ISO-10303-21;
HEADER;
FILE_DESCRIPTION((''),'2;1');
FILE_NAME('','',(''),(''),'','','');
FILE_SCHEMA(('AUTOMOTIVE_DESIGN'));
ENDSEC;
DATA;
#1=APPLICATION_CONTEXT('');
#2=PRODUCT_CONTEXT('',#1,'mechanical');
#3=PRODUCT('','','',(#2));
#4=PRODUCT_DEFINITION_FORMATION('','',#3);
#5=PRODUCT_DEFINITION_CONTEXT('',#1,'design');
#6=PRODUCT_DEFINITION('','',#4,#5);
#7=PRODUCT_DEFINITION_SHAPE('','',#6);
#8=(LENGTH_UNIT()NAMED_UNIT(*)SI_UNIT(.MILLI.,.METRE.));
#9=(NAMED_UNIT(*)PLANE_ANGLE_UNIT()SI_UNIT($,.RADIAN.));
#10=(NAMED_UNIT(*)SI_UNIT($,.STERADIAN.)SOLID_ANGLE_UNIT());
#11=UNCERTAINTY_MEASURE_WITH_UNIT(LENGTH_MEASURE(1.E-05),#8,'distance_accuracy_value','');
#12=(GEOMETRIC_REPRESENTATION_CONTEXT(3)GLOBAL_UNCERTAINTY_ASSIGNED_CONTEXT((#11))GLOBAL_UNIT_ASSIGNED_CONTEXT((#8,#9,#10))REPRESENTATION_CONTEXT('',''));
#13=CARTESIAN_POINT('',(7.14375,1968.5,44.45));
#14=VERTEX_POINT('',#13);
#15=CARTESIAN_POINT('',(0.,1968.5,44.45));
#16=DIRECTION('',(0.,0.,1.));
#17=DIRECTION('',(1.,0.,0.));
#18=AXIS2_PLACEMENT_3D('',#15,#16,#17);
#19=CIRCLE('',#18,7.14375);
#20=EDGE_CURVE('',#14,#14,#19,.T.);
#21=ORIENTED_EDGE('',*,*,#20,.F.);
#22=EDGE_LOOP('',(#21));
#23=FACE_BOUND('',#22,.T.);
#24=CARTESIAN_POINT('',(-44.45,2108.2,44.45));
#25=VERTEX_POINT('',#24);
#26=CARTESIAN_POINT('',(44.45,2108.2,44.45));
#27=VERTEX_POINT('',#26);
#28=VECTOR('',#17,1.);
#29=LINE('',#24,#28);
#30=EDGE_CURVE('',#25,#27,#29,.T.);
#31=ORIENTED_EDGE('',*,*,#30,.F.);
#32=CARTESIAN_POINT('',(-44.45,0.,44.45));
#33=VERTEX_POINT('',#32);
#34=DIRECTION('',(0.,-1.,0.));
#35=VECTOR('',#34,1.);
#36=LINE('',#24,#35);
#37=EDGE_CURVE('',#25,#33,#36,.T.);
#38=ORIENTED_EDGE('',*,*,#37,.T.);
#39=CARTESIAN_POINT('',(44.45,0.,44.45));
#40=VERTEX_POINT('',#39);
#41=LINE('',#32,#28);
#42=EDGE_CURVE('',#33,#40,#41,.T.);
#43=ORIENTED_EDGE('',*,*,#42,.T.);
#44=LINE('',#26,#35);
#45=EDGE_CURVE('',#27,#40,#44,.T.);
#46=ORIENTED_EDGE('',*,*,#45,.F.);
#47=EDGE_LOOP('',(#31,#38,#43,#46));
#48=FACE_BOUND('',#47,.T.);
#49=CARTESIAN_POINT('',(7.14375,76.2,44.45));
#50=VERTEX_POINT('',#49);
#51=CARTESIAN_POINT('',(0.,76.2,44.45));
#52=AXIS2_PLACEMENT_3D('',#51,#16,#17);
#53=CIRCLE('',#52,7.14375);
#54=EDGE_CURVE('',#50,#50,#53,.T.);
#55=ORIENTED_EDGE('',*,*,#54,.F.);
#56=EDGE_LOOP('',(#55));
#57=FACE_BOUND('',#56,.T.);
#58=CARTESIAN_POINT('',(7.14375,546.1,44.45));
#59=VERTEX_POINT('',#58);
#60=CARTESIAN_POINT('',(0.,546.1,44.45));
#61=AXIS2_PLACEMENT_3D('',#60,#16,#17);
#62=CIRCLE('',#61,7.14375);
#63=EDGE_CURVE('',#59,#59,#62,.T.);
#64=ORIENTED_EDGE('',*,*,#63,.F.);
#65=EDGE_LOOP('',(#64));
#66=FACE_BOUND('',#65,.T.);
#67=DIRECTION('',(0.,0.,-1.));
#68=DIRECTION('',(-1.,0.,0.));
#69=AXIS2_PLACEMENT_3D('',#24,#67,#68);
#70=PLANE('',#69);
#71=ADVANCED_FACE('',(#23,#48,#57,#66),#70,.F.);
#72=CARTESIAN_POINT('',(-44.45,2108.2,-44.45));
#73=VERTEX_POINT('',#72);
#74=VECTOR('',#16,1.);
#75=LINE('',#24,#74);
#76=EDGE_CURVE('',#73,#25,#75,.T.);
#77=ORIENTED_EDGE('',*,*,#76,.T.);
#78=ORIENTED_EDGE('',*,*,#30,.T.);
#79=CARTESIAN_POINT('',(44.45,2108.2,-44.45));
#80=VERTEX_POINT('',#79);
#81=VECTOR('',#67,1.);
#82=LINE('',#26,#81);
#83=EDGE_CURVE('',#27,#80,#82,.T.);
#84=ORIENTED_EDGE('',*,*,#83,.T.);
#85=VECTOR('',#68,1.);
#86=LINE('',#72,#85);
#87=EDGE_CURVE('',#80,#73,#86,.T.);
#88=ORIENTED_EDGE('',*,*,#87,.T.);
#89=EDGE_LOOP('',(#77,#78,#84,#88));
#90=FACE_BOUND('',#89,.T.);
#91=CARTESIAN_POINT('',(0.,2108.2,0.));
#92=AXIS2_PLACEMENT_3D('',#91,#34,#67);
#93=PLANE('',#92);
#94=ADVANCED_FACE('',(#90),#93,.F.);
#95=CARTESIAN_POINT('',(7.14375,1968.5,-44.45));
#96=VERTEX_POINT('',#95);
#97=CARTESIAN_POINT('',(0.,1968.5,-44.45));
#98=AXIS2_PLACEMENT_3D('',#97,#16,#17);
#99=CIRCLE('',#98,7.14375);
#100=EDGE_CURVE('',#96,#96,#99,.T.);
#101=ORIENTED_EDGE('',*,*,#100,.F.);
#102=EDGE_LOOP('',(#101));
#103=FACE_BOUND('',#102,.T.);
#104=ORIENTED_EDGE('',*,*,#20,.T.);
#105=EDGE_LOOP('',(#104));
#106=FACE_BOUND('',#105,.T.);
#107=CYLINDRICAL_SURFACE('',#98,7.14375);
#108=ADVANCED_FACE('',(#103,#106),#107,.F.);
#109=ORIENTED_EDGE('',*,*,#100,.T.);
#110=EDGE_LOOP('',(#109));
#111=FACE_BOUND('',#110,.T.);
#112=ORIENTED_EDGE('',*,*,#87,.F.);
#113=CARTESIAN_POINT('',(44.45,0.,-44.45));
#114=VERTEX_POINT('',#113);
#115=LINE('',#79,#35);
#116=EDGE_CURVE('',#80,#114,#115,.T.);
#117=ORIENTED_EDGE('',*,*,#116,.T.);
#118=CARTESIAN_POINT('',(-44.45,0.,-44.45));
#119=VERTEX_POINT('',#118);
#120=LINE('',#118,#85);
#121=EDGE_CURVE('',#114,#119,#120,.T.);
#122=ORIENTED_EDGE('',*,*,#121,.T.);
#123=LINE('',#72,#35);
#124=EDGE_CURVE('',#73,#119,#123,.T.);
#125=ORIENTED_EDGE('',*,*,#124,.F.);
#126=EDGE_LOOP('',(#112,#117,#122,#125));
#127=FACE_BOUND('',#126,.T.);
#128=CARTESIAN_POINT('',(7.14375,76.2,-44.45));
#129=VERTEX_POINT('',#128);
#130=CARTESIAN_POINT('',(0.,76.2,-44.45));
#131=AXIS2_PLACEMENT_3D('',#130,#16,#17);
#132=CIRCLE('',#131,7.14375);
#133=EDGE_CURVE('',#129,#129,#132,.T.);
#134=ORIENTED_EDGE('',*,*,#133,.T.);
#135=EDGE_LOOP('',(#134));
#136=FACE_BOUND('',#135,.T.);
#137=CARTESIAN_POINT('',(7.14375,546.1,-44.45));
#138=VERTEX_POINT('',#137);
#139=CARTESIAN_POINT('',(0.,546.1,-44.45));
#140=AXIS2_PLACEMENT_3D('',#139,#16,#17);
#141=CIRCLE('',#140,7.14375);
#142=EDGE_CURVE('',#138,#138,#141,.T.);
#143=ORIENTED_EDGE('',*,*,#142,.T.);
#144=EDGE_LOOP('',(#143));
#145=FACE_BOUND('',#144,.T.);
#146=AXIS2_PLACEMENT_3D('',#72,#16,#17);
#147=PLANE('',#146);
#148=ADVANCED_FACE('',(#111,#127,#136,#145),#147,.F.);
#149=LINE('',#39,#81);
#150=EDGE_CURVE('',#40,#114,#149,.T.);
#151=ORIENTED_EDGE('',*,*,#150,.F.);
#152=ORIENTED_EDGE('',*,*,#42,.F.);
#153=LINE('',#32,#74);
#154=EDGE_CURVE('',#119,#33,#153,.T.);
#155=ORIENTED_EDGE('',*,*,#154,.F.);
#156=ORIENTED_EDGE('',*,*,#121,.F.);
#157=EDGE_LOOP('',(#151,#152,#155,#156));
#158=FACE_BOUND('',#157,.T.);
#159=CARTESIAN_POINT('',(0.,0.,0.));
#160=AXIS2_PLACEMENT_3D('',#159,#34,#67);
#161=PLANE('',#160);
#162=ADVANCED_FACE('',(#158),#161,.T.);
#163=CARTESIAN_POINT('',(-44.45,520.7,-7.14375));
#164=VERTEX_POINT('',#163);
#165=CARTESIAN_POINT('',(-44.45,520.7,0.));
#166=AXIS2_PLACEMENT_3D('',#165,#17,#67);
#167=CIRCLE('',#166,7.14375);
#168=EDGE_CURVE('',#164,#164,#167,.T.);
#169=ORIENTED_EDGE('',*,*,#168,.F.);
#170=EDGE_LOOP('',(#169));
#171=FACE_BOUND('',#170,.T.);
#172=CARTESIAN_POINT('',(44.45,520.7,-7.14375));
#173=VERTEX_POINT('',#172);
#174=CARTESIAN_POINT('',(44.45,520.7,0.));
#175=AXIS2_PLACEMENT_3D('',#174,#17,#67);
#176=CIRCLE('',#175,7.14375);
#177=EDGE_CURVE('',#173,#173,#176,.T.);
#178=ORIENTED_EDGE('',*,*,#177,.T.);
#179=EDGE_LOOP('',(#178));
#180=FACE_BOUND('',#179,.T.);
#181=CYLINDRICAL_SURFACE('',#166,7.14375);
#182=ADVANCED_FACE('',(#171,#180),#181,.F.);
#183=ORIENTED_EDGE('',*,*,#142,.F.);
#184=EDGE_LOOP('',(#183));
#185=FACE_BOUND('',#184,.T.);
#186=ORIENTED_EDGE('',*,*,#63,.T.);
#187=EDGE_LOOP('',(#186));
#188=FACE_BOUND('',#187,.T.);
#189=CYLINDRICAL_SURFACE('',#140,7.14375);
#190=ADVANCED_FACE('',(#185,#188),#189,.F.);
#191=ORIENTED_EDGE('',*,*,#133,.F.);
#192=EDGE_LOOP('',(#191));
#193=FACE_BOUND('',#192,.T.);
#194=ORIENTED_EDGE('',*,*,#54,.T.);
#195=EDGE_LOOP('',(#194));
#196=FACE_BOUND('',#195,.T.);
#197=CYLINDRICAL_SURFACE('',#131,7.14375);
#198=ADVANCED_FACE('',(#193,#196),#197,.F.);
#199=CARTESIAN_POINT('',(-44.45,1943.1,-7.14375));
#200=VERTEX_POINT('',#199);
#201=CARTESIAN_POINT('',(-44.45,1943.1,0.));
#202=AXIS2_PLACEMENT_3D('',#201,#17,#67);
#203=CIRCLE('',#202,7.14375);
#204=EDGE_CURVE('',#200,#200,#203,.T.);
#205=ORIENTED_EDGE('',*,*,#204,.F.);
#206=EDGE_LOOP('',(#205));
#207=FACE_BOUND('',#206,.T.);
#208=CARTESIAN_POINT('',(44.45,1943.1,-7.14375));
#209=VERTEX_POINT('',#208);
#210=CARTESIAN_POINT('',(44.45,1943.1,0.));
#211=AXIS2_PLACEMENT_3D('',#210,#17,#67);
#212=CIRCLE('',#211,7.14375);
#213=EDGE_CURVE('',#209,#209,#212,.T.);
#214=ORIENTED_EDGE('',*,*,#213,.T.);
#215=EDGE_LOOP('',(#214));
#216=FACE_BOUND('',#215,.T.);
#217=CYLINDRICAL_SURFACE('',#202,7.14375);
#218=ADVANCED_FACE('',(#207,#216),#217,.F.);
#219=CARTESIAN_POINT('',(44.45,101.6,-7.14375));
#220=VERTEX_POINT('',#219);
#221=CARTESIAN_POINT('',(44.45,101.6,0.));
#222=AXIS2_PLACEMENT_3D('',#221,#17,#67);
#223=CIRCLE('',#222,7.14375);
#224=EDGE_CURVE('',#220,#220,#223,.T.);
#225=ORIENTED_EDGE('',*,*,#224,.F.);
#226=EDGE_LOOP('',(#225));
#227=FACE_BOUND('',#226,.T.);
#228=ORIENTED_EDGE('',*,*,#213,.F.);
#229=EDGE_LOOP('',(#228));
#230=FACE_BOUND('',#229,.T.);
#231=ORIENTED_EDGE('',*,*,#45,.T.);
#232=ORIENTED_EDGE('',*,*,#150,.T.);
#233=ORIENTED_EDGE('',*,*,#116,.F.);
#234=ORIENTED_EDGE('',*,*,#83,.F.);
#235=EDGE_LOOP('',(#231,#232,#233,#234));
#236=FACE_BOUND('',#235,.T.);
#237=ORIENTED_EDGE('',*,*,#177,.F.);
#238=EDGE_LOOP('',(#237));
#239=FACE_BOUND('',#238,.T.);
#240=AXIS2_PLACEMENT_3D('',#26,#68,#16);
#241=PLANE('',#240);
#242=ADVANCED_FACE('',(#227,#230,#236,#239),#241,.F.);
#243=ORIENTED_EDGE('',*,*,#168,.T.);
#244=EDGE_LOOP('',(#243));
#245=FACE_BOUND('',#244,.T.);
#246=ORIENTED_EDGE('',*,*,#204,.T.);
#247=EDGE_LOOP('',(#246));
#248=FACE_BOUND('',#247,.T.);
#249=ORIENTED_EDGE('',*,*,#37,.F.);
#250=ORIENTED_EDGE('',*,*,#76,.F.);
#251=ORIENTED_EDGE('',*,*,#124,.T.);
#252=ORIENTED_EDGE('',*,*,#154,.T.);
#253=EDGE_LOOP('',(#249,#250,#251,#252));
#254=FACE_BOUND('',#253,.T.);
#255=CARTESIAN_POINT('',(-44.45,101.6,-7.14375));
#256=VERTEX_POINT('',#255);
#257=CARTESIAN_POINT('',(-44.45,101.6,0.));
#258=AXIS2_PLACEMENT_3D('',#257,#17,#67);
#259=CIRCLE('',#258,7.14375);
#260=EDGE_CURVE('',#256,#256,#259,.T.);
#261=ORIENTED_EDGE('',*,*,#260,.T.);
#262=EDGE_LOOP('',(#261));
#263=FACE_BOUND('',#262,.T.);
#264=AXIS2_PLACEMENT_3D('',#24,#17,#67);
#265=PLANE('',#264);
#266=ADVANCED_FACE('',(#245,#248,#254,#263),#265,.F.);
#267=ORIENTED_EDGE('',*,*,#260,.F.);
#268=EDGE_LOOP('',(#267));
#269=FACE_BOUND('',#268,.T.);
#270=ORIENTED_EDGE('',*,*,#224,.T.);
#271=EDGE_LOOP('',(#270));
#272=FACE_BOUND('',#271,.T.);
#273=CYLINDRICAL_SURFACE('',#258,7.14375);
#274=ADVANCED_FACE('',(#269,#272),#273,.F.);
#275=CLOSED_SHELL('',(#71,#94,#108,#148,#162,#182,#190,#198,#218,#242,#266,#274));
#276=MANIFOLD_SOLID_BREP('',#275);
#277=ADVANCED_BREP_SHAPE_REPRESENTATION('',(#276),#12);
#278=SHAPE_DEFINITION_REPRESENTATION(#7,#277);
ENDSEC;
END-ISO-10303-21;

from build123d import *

# Parameters (mm, degrees)
SKETCH1_W           = 88.9
SKETCH1_H           = 88.9
BOSS_EXTRUDE2_DEPTH = 2108.2
SKETCH2_R           = 7.14375
CUT_EXTRUDE1_DEPTH  = 89.9
SKETCH3_R           = 7.14375
CUT_EXTRUDE2_DEPTH  = 89.9


with BuildPart() as part:
    # Sketch1 → Boss-Extrude2 (new body)
    with BuildSketch(Plane(origin=(0, 0, 0), x_dir=(1, 0, 0), z_dir=(0, 1, 0))):
        Rectangle(SKETCH1_W, SKETCH1_H)
    extrude(amount=BOSS_EXTRUDE2_DEPTH)

    # Sketch2 → Cut-Extrude1 (cut, through all)
    with BuildSketch(Plane.XY.offset(44.45)):
        with Locations((0, 76.2)):
            Circle(SKETCH2_R)
        with Locations((0, 546.1)):
            Circle(SKETCH2_R)
        with Locations((0, 1968.5)):
            Circle(SKETCH2_R)
    extrude(amount=-CUT_EXTRUDE1_DEPTH, mode=Mode.SUBTRACT)

    # Sketch3 → Cut-Extrude2 (cut, through all)
    with BuildSketch(Plane(origin=(44.45, 0, 0), x_dir=(0, 0, -1), z_dir=(1, 0, 0))):
        with Locations((0, 101.6)):
            Circle(SKETCH3_R)
        with Locations((0, 520.7)):
            Circle(SKETCH3_R)
        with Locations((0, 1943.1)):
            Circle(SKETCH3_R)
    extrude(amount=-CUT_EXTRUDE2_DEPTH, mode=Mode.SUBTRACT)


solid = part.part
